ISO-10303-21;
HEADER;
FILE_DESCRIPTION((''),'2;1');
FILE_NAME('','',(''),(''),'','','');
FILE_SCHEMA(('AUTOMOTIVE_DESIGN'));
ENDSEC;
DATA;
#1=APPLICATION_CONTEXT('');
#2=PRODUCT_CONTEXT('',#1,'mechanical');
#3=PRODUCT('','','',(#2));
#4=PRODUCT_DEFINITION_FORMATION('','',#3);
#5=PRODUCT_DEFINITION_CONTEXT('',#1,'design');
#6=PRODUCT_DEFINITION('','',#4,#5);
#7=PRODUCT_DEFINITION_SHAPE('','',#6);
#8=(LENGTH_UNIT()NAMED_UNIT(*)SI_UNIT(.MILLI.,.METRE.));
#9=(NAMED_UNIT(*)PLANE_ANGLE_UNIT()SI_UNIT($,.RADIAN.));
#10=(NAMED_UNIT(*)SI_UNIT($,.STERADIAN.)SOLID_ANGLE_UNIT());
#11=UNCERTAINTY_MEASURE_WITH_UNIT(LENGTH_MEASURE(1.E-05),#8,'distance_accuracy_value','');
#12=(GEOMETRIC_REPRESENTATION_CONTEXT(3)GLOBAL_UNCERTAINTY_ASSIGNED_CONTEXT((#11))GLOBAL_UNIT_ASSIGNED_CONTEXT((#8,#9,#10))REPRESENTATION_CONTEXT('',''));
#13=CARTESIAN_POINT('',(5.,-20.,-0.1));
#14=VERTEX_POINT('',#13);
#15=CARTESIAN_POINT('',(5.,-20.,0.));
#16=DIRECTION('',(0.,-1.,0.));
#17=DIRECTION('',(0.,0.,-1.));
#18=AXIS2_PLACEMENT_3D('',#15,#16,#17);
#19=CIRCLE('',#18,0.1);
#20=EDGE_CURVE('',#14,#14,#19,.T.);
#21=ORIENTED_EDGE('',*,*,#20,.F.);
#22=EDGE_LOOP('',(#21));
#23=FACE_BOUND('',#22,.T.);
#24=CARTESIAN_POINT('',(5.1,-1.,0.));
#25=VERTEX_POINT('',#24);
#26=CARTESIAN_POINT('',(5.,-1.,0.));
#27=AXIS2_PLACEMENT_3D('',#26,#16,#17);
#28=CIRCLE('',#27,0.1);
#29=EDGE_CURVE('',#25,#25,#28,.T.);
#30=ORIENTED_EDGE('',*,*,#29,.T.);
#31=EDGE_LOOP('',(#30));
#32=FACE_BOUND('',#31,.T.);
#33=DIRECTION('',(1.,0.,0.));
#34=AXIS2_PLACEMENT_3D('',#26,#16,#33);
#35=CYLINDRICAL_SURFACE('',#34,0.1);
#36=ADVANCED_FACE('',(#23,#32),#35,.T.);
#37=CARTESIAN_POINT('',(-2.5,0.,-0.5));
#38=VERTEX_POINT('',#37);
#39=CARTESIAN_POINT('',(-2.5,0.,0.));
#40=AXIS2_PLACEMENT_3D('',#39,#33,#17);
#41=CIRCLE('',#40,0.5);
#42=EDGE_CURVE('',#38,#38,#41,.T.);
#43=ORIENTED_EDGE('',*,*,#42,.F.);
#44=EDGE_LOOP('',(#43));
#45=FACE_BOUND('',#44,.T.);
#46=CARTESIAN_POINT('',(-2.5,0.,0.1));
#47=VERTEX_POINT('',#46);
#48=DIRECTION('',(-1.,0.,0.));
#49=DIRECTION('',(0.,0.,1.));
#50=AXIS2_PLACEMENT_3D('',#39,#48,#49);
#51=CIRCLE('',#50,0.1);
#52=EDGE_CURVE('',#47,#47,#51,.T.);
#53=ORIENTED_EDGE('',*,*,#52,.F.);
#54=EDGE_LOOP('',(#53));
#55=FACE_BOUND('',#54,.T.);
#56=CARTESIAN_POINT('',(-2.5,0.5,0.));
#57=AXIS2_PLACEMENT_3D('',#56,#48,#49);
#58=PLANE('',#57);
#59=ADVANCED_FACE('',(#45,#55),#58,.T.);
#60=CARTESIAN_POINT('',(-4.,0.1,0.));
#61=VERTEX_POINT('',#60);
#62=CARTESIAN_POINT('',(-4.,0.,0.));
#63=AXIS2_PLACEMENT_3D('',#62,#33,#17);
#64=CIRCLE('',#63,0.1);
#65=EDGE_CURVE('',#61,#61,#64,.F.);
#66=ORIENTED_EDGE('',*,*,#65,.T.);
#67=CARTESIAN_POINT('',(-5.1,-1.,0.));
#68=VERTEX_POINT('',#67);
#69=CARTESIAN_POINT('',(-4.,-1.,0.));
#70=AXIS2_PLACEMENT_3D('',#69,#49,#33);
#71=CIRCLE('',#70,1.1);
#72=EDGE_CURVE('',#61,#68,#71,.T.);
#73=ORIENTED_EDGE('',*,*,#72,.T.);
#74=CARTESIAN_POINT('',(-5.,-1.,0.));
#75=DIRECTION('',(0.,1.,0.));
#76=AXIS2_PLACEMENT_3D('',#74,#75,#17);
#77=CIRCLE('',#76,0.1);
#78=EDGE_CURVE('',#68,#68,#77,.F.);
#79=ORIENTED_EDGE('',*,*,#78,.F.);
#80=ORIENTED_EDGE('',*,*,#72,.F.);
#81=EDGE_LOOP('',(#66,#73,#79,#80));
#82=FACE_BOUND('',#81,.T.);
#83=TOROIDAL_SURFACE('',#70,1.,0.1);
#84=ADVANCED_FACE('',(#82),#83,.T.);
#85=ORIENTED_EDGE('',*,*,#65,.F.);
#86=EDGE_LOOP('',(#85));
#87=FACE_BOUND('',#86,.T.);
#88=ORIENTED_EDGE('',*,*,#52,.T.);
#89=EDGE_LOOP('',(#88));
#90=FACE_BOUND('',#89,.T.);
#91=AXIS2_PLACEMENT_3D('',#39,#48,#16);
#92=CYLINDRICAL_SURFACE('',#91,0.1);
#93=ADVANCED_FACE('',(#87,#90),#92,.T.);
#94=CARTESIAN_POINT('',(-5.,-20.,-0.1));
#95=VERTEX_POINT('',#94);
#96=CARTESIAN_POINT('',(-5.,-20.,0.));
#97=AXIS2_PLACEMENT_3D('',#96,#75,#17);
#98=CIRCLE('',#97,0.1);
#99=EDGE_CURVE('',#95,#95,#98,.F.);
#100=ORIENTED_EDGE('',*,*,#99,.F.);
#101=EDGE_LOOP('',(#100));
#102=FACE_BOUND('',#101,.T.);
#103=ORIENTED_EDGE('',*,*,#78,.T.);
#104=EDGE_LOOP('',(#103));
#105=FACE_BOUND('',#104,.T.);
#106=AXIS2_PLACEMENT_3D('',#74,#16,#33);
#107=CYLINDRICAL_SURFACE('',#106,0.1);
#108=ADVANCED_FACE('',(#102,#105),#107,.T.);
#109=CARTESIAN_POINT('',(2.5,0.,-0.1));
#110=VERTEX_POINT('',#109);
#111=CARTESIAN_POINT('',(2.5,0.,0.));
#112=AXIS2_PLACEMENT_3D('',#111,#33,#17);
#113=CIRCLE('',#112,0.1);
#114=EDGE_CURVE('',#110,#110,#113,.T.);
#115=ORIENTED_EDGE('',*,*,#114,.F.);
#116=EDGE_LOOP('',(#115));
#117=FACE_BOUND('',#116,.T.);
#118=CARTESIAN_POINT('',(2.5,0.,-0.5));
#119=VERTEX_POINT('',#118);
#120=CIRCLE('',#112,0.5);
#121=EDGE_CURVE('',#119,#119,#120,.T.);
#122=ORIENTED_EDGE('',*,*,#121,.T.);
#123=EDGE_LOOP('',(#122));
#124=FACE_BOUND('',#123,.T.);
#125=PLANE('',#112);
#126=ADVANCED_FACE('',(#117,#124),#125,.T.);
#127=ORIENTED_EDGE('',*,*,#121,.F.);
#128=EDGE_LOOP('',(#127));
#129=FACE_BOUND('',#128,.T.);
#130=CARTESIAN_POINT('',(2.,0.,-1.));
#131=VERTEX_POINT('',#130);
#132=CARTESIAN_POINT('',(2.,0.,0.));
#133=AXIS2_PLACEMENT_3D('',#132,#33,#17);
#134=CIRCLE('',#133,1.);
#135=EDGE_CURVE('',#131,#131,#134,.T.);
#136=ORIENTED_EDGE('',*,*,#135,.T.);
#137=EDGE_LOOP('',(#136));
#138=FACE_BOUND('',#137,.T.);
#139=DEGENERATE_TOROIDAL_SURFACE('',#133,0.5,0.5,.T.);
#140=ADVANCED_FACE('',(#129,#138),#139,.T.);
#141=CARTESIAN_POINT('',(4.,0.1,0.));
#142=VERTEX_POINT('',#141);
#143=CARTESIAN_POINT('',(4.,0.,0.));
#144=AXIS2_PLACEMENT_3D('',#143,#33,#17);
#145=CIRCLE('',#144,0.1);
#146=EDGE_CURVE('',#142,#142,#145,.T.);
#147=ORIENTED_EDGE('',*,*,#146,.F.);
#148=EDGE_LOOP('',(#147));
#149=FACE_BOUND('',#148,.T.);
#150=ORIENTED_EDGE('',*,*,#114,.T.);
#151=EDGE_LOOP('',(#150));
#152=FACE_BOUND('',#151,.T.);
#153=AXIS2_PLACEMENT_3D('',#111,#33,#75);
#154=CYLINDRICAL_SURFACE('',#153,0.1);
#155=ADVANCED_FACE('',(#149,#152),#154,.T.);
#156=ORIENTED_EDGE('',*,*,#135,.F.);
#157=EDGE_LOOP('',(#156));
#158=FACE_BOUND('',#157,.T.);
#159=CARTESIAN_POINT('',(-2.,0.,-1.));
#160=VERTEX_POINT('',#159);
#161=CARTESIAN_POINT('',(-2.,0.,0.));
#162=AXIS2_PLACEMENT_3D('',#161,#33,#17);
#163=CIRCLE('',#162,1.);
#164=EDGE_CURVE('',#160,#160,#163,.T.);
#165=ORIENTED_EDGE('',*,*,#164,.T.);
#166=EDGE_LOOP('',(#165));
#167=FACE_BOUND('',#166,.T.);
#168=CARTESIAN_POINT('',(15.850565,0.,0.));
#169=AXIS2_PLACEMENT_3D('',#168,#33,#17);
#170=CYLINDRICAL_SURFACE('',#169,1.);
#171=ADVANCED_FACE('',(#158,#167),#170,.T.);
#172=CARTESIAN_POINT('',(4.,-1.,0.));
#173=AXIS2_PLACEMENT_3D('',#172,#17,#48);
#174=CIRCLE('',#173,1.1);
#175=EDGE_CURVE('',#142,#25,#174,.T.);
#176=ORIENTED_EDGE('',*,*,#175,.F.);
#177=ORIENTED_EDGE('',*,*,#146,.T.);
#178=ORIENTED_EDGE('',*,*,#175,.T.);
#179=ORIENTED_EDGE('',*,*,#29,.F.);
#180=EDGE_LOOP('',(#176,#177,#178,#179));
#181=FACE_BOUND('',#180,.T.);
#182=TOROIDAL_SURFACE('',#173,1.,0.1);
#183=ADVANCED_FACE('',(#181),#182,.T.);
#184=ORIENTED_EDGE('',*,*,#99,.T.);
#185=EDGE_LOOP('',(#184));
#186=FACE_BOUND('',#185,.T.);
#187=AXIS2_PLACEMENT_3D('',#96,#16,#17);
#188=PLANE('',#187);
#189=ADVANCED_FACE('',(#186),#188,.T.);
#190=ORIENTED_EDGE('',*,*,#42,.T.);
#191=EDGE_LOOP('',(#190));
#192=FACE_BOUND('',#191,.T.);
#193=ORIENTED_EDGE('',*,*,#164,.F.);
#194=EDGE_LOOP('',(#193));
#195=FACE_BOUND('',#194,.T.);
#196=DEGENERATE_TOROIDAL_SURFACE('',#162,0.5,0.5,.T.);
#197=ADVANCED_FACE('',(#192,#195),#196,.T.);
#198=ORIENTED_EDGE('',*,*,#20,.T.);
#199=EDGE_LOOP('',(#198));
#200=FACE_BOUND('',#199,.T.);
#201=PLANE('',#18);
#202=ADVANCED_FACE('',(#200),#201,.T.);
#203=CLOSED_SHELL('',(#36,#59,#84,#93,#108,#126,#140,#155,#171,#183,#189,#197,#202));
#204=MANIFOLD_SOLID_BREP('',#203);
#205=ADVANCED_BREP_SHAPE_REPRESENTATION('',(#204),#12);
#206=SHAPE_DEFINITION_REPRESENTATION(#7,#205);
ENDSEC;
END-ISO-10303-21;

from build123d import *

# Parameters (mm, degrees)
SKETCH3_R = 0.1


with BuildPart() as part:
    # Sketch1 → Revolve1 (revolve)
    with BuildSketch(Plane.XY, mode=Mode.PRIVATE) as revolve1_sk:
        with BuildLine():
            Line((2.5, 0), (2.5, 0.5))
            ThreePointArc((2.5, 0.5), (2.353553391, 0.853553391), (2, 1))
            Line((2, 1), (-2, 1))
            ThreePointArc((-2, 1), (-2.353553391, 0.853553391), (-2.5, 0.5))
            Line((-2.5, 0.5), (-2.5, 0))
            Line((-2.5, 0), (2.5, 0))
        make_face()
    revolve(revolve1_sk.sketch.rotate(Axis((15.850565012, 0, 0), (-1, 0, 0)), 90), axis=Axis((15.850565012, 0, 0), (-1, 0, 0)))

    # Sweep1: sweep along a path in Sketch2
    with BuildLine(Plane.XY) as sweep1_path:
        Line((2.5, 0), (4, 0))
        ThreePointArc((4, 0), (4.707106781, -0.292893219), (5, -1))
        Line((5, -1), (5, -20))
    # Sketch3 → Sweep1 (sweep)
    with BuildSketch(Plane(origin=(2.5, 0, 0), x_dir=(0, 0, -1), z_dir=(1, 0, 0))):
        Circle(SKETCH3_R)
    sweep1 = sweep(path=sweep1_path.line)

    # Mirror1: Sweep1 across plane
    add(sweep1.mirror(Plane(origin=(0, 0, 0), x_dir=(0, 0, 1), z_dir=(1, 0, 0))))


solid = part.part
